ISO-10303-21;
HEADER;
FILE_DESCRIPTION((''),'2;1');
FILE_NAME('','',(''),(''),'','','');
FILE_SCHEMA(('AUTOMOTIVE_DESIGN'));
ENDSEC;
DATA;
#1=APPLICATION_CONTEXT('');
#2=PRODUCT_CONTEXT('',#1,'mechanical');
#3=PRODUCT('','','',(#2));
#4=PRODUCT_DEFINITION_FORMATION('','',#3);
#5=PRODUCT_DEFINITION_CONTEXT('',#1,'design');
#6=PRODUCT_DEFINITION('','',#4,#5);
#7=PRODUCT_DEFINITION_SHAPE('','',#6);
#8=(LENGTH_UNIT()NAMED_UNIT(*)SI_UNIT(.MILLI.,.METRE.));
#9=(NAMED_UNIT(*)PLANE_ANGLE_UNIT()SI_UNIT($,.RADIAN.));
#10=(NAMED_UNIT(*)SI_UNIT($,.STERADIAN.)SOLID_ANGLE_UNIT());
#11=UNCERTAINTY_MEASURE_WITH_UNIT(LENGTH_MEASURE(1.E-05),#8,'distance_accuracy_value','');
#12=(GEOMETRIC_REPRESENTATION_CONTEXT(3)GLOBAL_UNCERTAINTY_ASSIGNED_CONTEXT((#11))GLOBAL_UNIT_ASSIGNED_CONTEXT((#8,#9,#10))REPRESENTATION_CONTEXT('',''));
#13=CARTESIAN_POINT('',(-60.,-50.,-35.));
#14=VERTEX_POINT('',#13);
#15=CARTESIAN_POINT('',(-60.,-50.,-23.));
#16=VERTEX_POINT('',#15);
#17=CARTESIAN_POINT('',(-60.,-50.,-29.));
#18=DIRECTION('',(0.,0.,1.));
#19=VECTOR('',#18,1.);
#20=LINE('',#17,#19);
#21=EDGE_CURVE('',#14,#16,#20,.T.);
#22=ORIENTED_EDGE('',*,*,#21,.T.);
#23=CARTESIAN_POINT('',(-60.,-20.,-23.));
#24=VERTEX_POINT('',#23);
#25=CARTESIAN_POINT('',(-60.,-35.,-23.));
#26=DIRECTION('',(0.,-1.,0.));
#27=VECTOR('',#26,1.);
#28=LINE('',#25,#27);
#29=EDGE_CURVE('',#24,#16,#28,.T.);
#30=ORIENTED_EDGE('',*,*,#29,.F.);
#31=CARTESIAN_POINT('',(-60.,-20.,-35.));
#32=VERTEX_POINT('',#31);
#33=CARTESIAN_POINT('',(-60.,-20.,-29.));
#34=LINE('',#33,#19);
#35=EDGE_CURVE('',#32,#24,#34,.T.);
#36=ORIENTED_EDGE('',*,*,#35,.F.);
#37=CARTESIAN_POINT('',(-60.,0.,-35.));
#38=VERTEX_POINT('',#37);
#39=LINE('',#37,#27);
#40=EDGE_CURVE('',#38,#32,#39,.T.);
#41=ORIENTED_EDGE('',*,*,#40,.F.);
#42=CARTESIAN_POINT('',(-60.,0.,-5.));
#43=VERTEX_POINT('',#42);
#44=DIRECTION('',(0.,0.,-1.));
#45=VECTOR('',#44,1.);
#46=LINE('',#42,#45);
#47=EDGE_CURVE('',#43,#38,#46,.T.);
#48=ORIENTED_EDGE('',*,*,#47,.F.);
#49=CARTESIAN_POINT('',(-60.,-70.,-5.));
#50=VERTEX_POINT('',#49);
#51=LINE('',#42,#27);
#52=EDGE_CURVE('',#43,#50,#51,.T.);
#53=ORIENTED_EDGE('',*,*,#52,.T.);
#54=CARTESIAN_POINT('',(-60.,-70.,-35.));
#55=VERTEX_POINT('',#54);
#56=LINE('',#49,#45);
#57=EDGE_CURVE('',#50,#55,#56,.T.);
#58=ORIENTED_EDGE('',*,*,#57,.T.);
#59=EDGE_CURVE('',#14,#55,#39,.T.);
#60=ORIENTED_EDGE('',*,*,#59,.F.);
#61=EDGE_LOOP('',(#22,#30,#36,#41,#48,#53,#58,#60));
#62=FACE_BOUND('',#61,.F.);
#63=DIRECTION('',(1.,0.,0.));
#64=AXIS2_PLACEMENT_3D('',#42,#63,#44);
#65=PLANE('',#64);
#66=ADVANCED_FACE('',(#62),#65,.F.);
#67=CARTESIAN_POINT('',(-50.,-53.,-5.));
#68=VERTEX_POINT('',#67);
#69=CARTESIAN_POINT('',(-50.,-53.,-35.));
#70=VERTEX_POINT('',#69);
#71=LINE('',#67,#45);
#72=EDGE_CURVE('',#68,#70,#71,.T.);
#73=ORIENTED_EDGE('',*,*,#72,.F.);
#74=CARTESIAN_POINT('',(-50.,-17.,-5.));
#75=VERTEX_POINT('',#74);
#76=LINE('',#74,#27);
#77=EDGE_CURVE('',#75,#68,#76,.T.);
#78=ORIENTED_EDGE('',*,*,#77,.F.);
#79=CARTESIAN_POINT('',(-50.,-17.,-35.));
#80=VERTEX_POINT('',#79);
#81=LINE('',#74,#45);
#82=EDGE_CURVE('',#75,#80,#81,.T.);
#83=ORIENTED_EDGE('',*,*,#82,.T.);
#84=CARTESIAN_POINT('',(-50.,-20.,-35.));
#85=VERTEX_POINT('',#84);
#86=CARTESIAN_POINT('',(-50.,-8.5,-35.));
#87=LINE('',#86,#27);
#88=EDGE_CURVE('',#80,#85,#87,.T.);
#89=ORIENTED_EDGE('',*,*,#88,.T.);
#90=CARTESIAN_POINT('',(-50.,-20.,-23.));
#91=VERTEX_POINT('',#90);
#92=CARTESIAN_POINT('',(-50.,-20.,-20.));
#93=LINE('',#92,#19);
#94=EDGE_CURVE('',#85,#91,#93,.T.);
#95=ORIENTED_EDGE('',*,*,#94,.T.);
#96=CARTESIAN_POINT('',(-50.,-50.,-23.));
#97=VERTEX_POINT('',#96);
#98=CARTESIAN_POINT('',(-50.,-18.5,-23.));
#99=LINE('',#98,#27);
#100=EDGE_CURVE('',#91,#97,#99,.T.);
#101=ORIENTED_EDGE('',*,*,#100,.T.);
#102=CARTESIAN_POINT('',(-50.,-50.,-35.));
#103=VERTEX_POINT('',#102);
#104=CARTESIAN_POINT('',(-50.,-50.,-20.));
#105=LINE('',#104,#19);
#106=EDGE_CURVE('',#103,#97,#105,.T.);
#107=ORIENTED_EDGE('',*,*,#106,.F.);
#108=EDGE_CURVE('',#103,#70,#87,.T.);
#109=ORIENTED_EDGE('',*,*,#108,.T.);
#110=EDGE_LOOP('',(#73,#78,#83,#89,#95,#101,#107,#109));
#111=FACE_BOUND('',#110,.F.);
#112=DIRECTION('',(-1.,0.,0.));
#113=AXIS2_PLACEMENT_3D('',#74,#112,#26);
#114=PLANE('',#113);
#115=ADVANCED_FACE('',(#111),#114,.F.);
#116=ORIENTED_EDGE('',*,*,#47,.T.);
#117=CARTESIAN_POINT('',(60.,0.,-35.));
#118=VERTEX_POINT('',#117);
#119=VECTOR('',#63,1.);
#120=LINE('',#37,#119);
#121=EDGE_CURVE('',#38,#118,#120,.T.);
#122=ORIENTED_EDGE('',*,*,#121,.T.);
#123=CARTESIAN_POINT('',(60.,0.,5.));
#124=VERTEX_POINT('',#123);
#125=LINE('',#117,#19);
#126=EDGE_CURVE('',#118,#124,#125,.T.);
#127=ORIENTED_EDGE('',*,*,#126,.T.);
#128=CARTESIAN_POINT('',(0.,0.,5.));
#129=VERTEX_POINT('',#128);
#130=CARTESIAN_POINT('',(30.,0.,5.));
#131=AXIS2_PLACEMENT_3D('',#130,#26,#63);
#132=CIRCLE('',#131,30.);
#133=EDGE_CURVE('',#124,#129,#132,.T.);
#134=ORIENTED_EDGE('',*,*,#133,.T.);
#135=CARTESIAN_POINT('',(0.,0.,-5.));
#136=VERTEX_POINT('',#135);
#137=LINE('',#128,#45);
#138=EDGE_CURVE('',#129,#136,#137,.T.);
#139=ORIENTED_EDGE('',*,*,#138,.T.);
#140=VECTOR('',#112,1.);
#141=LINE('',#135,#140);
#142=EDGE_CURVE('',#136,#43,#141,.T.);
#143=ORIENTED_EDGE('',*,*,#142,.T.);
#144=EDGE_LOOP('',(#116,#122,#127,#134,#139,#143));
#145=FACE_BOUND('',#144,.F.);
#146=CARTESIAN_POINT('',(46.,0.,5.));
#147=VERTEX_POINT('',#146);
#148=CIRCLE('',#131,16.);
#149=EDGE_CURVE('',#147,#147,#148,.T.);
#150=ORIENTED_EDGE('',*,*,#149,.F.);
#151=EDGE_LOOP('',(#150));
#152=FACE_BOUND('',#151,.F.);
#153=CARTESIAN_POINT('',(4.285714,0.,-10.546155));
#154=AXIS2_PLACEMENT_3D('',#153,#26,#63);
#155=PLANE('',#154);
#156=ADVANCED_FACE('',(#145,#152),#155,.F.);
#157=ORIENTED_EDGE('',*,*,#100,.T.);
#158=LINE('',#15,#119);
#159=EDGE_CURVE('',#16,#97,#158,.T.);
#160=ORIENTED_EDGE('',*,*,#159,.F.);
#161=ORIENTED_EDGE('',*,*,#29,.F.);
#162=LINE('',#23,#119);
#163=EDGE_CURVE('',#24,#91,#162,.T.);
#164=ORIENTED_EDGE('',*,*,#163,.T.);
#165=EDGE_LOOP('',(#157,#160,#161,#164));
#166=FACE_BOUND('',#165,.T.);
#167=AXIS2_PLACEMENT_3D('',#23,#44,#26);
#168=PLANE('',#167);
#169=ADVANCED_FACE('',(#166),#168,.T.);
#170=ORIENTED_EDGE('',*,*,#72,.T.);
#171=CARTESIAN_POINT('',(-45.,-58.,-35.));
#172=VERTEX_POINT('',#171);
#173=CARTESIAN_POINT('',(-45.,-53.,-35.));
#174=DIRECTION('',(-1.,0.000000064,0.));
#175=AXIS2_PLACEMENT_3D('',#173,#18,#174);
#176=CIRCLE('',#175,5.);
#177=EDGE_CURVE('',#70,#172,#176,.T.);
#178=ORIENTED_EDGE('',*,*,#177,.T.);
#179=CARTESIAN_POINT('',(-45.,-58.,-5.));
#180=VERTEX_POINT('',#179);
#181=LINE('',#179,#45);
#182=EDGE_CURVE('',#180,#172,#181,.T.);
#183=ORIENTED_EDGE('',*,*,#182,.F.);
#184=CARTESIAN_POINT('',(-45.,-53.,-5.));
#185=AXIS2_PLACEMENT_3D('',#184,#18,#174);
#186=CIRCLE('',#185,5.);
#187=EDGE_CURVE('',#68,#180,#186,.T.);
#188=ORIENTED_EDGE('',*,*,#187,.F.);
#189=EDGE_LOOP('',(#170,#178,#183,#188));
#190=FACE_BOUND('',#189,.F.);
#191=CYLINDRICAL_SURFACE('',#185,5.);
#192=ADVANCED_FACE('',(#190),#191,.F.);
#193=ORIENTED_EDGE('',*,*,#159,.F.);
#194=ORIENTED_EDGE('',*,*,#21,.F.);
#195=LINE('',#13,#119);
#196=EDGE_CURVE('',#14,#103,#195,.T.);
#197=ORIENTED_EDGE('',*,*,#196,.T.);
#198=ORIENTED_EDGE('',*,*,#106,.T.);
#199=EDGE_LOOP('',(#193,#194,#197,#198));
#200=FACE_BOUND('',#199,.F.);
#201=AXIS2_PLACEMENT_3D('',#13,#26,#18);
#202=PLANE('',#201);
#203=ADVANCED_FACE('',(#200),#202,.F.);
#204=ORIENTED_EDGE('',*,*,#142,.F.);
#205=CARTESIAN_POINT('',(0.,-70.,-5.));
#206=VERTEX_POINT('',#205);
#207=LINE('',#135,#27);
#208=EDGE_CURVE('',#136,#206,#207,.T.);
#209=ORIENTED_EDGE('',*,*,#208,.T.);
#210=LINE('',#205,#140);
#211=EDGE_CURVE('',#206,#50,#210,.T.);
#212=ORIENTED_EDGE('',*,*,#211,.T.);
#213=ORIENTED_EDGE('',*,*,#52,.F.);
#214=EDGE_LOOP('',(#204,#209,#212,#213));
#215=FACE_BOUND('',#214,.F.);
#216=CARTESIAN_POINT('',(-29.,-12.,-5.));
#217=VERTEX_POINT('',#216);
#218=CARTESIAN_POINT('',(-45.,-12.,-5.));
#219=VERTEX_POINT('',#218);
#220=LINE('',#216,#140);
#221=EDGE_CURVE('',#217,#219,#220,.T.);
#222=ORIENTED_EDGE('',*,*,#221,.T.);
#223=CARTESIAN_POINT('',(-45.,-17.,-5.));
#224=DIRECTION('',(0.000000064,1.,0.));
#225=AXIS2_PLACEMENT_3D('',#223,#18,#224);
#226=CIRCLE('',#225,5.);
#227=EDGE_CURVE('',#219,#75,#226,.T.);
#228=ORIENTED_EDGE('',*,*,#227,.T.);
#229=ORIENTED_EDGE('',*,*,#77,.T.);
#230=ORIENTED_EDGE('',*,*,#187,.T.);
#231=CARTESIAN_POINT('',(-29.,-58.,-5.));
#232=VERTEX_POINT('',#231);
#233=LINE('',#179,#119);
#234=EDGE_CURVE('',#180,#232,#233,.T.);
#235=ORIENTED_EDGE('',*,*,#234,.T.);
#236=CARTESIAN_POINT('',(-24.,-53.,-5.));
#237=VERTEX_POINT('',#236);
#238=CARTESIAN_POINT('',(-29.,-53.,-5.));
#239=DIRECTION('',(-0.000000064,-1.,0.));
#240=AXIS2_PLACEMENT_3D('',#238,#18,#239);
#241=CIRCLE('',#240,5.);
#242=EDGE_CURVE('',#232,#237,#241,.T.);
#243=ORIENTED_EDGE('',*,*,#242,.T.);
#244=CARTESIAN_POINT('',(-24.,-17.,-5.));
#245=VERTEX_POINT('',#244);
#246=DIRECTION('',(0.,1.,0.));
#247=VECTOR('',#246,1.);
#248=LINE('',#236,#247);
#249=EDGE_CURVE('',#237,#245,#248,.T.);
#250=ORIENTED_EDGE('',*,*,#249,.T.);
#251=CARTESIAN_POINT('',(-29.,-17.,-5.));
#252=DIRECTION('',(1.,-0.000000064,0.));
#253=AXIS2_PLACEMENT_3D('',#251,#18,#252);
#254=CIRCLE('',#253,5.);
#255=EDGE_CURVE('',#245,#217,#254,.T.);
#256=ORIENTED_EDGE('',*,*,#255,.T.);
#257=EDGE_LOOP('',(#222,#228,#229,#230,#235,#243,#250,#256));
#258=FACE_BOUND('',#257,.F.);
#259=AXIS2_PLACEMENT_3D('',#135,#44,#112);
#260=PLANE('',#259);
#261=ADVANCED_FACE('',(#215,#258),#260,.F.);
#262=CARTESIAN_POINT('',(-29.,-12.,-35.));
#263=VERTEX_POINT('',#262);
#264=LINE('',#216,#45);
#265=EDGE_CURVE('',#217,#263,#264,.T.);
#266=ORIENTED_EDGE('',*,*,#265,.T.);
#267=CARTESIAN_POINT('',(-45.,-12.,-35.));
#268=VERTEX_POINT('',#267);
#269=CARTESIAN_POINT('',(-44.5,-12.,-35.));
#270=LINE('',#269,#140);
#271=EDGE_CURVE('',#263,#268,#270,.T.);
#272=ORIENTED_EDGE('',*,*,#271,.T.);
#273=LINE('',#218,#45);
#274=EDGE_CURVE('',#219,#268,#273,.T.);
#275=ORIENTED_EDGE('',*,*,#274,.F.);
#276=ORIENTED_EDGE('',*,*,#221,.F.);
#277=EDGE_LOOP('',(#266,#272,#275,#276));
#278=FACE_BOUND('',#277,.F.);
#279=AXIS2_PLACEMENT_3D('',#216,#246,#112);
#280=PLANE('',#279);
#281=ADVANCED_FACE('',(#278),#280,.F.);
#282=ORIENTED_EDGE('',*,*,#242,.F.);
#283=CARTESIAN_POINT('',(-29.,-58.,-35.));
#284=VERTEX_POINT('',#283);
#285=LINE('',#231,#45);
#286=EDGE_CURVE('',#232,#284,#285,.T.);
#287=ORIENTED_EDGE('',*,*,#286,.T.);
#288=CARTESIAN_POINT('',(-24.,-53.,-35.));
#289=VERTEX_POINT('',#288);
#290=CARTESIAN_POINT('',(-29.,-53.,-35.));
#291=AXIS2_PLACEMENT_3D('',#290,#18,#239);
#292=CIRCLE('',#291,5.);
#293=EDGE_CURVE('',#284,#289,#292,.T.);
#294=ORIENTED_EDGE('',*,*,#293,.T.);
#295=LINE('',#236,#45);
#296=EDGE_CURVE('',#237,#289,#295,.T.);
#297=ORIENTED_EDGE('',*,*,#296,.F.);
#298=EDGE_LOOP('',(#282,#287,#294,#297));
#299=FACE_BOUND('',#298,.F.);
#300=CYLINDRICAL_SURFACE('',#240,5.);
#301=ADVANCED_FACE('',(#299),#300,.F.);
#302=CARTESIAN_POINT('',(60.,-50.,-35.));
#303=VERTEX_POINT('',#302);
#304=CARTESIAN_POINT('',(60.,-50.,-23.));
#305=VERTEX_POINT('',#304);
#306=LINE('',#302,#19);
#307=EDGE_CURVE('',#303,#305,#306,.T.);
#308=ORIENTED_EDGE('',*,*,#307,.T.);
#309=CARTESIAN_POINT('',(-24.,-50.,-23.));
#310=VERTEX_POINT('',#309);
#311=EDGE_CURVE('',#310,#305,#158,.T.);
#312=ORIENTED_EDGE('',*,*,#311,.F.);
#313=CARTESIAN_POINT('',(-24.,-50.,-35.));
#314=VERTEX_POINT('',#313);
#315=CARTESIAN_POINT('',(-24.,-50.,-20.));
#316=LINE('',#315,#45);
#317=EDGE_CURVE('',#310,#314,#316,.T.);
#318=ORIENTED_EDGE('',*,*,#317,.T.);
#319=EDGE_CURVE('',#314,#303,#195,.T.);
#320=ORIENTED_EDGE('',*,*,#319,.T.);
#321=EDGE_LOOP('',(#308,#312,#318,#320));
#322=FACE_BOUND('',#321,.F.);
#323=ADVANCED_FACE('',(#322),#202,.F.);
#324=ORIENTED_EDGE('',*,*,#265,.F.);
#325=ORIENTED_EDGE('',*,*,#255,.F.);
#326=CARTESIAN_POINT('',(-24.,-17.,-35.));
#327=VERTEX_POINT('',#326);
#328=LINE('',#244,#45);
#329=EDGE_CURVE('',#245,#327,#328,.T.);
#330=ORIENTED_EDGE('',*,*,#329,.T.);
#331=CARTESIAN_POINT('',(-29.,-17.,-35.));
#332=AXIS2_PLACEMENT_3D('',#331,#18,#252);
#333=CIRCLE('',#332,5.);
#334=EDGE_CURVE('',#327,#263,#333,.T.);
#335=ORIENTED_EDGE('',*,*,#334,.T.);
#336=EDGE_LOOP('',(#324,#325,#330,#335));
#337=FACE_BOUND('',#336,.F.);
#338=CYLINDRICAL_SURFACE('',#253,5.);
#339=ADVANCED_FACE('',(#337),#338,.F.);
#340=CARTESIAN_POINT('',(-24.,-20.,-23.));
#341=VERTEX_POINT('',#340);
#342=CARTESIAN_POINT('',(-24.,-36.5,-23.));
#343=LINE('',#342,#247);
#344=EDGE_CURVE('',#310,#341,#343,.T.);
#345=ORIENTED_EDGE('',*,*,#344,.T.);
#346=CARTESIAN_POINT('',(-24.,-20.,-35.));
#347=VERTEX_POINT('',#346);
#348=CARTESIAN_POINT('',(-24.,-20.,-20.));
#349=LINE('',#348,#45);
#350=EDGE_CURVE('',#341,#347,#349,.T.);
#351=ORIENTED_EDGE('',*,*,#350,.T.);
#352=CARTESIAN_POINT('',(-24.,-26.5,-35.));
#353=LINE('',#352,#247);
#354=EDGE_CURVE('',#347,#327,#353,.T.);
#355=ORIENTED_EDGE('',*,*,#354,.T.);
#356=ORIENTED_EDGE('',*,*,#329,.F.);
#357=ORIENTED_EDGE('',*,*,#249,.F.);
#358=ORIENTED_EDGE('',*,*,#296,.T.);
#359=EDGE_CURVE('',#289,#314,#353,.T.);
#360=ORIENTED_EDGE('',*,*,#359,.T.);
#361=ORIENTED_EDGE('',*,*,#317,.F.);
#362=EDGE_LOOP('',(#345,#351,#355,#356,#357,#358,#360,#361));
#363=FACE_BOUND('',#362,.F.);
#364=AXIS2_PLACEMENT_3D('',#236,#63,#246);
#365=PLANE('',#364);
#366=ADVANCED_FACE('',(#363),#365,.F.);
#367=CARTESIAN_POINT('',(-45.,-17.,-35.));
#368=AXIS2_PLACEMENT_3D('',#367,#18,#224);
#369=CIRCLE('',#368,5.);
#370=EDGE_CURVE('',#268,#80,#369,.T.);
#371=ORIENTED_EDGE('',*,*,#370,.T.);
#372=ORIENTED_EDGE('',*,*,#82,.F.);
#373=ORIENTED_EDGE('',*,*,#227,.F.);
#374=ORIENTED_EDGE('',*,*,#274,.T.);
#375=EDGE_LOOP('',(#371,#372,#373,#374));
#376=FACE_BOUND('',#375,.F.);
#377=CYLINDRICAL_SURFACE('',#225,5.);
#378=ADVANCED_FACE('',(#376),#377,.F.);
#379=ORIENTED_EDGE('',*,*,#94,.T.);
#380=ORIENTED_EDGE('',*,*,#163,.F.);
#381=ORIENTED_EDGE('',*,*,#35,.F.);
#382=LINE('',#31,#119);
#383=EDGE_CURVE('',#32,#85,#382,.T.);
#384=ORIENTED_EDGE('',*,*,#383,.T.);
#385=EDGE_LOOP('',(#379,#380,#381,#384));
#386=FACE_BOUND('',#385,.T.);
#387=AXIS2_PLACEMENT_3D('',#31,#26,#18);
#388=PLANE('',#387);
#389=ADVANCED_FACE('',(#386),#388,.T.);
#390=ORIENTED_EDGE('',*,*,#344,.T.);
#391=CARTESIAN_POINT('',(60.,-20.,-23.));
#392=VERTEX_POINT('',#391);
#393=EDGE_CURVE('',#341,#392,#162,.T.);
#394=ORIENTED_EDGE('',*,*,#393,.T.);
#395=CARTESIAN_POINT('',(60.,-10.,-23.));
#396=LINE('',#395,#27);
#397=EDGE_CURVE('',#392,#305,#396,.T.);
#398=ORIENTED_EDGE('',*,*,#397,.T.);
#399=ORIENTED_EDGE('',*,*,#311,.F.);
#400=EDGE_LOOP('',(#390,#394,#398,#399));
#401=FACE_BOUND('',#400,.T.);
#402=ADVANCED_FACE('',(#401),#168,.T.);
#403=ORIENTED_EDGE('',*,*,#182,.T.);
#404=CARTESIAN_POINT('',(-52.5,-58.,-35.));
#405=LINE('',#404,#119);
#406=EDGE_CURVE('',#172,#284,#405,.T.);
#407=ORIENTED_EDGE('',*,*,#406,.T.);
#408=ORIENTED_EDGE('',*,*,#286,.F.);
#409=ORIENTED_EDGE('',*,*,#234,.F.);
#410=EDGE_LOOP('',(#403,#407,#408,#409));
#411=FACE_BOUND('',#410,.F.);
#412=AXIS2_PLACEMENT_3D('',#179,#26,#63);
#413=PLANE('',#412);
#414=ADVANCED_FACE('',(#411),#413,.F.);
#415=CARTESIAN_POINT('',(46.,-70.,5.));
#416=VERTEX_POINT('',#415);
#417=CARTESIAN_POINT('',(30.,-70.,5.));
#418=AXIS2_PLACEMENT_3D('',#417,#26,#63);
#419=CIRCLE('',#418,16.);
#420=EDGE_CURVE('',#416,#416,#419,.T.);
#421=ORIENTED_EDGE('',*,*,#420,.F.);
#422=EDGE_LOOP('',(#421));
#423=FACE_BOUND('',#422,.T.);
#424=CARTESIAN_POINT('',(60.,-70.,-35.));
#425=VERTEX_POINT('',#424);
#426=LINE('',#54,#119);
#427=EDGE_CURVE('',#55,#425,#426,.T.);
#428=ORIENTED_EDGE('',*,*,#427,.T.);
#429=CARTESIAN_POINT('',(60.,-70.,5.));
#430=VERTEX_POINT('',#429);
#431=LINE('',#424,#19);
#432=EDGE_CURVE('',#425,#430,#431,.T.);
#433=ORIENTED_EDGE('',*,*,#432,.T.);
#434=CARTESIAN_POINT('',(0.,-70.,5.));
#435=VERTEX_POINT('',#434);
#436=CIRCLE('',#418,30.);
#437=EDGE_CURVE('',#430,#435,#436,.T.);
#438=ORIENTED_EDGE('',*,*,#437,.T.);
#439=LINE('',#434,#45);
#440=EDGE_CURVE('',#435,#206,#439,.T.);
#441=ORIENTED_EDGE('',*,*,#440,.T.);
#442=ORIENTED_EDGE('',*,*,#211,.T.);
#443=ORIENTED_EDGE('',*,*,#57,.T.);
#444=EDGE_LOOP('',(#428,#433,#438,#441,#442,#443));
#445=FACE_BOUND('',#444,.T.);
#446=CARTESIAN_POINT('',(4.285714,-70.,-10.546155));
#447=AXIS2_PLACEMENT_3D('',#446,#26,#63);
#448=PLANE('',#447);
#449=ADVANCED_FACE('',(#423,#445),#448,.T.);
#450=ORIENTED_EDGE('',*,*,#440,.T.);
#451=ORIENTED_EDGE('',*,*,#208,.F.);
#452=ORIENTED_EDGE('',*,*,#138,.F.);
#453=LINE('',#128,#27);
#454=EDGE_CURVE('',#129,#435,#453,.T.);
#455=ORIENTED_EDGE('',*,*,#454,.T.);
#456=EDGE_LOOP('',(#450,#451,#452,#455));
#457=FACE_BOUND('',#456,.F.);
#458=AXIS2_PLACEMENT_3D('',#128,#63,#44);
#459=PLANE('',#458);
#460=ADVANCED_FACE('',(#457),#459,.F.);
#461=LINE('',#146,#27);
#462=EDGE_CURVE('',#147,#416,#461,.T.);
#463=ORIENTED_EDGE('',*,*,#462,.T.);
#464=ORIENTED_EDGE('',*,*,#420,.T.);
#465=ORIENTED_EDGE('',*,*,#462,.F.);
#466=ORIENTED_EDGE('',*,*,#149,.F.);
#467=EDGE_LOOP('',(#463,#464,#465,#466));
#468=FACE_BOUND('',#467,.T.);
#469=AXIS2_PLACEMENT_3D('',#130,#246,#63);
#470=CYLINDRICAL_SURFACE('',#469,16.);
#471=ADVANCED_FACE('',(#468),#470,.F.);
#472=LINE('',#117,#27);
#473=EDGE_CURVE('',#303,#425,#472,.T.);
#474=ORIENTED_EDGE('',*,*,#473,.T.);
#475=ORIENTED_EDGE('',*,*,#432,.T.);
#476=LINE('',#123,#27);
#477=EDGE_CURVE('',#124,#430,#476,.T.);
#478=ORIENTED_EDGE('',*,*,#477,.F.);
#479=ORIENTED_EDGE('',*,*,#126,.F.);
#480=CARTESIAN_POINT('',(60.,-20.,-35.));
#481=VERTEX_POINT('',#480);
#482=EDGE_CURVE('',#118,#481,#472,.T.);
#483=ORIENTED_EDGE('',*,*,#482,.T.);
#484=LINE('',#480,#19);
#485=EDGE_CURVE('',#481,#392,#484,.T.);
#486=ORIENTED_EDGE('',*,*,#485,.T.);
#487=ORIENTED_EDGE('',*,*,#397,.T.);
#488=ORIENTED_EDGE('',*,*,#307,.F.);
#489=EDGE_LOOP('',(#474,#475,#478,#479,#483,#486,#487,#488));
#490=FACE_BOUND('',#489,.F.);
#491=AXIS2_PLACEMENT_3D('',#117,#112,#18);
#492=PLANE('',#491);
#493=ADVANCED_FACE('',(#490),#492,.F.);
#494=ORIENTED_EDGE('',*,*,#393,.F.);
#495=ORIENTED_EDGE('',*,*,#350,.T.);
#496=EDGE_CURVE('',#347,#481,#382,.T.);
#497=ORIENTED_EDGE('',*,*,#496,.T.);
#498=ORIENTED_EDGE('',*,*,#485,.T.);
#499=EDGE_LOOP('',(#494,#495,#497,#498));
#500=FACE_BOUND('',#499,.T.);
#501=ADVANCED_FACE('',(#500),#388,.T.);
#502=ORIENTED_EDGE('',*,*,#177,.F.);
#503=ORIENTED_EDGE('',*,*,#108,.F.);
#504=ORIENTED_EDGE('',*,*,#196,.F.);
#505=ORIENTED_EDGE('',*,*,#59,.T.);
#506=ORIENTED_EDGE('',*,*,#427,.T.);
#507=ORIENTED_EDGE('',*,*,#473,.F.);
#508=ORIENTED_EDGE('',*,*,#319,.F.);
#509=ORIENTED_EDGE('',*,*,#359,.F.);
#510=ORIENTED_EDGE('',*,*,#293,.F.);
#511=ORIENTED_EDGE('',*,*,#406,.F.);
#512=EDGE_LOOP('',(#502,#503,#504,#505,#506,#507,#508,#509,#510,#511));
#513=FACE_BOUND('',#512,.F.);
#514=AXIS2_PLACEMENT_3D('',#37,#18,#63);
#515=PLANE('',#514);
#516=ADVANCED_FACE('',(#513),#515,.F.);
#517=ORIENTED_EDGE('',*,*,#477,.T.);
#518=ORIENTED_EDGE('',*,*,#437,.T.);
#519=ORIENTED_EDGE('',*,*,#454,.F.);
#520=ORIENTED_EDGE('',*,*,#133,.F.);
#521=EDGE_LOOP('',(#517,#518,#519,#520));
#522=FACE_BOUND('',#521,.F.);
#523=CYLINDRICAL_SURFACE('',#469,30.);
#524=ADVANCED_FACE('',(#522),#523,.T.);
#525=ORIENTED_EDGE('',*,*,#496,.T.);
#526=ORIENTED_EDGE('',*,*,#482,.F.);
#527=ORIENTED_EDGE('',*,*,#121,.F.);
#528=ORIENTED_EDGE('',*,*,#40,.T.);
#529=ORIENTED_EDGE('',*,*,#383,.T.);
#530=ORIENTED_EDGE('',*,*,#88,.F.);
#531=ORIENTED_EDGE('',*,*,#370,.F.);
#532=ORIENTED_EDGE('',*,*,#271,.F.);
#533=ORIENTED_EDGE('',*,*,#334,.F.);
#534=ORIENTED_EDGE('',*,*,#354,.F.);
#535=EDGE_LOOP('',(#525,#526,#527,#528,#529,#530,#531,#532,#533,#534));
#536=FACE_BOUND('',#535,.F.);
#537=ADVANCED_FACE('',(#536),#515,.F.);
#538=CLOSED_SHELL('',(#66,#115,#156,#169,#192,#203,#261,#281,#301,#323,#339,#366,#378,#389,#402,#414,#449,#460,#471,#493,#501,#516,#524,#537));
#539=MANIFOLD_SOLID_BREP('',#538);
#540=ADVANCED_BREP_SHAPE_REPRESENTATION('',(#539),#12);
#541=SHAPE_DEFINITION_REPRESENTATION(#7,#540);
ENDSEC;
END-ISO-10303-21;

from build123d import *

# Parameters (mm, degrees)
F0_R     = 16
F1_DEPTH = 70
F3_DEPTH = 30.001
F4_W     = 30
F4_H     = 12
F5_DEPTH = 120.001


with BuildPart() as f1:
    # F0 (on Front) → F1 (new body)
    with BuildSketch(Plane.XZ):
        with BuildLine():
            Line((-60, -35), (60, -35))
            Line((60, -35), (60, 5))
            ThreePointArc((60, 5), (30, 35), (0, 5))
            Line((0, 5), (0, -5))
            Line((0, -5), (-60, -5))
            Line((-60, -5), (-60, -35))
        make_face()
        with Locations((30, 5)):
            Circle(F0_R, mode=Mode.SUBTRACT)
    extrude(amount=F1_DEPTH)

    # F2 (on face) → F3 (cut, through all)
    with BuildSketch(Plane.XY.offset(-5)):
        with BuildLine():
            Line((-45, -58), (-29, -58))
            ThreePointArc((-29, -58), (-25.464466, -56.535534), (-24, -53))
            Line((-24, -53), (-24, -17))
            ThreePointArc((-24, -17), (-25.464466, -13.464466), (-29, -12))
            Line((-29, -12), (-45, -12))
            ThreePointArc((-45, -12), (-48.535534, -13.464466), (-50, -17))
            Line((-50, -17), (-50, -53))
            ThreePointArc((-50, -53), (-48.535534, -56.535534), (-45, -58))
        make_face()
    extrude(amount=-F3_DEPTH, mode=Mode.SUBTRACT)

    # F4 (on face) → F5 (cut, through all)
    with BuildSketch(Plane(origin=(-60, 0, 0), x_dir=(0, -1, 0), z_dir=(-1, 0, 0))):
        with Locations((35, -29)):
            Rectangle(F4_W, F4_H)
    extrude(amount=-F5_DEPTH, mode=Mode.SUBTRACT)


solid = f1.part
